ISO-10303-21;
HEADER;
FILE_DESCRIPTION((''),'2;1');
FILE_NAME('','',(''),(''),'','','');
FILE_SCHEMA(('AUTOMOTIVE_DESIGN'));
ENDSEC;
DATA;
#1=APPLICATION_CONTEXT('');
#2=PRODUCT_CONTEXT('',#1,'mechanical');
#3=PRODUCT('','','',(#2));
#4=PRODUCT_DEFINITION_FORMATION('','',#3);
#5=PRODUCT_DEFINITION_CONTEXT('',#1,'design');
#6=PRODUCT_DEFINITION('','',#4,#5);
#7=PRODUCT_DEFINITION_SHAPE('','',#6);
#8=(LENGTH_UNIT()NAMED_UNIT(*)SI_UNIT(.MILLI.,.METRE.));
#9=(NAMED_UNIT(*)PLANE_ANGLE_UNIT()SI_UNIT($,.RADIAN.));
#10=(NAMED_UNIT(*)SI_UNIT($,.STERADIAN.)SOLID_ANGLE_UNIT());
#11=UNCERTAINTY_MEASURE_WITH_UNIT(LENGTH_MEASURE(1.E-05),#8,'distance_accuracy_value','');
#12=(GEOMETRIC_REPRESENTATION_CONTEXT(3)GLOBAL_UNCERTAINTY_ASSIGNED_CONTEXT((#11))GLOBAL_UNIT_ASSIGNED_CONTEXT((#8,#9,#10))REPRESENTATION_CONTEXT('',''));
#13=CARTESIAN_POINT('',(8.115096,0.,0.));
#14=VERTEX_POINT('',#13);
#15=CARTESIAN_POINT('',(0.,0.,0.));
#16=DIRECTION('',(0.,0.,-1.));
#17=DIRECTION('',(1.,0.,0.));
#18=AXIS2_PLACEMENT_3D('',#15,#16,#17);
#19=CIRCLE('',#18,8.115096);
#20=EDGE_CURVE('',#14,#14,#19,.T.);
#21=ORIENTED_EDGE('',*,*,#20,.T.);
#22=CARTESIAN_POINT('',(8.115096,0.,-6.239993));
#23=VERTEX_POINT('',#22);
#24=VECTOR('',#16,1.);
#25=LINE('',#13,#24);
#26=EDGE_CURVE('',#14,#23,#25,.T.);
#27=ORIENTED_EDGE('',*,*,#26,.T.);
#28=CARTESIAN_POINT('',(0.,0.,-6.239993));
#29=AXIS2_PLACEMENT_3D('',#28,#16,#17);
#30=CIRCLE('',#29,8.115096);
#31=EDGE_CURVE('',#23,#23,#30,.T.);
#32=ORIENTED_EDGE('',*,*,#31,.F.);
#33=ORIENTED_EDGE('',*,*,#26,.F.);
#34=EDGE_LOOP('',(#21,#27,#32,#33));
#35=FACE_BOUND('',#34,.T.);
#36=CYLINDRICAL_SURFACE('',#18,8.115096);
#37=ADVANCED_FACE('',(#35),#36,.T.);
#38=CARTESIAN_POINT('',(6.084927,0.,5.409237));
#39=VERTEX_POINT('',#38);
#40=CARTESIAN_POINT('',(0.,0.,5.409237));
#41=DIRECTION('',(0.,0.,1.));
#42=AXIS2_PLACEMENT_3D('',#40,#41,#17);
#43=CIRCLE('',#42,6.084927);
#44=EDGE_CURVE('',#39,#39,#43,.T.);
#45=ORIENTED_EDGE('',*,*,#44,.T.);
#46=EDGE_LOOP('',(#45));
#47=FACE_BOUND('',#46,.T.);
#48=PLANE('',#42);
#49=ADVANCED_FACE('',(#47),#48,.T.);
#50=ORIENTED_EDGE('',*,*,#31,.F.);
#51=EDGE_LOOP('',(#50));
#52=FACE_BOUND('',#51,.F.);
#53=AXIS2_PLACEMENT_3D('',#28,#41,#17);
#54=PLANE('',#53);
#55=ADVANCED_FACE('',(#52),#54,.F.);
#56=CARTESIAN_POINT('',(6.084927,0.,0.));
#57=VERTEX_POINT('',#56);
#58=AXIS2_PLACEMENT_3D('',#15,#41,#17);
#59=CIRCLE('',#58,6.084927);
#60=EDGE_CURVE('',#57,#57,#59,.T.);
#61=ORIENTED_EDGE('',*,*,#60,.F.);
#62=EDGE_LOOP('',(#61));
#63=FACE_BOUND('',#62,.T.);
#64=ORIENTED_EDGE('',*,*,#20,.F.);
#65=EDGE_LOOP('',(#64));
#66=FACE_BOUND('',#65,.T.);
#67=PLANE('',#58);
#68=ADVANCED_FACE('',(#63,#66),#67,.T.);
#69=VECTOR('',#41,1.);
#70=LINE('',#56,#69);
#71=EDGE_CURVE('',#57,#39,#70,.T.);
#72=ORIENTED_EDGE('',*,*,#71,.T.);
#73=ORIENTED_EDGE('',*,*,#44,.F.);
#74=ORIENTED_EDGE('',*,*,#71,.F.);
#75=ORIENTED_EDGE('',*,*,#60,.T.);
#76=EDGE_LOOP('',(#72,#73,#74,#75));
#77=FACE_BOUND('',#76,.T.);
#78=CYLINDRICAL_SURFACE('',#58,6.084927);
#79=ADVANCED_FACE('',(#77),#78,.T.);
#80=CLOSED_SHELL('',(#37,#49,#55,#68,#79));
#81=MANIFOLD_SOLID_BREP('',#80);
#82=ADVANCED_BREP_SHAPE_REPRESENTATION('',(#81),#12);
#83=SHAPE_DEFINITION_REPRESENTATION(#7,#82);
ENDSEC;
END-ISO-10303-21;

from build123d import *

# Parameters (mm, degrees)
F0_R = 8.115096
F3_R = 6.084927


with BuildPart() as f2:
    # F2: sweep along a path in F1
    with BuildLine(Plane.YZ) as f2_path:
        Line((0, 0), (0, -6.239993))
    # F0 (on Top) → F2 (sweep)
    with BuildSketch(Plane.XY):
        Circle(F0_R)
    sweep(path=f2_path.line)

    # F5: sweep along a path in F4
    with BuildLine(Plane.YZ) as f5_path:
        Line((0, 0), (0, 5.409237))
    # F3 (on Top) → F5 (sweep)
    with BuildSketch(Plane.XY):
        Circle(F3_R)
    sweep(path=f5_path.line)


solid = f2.part
